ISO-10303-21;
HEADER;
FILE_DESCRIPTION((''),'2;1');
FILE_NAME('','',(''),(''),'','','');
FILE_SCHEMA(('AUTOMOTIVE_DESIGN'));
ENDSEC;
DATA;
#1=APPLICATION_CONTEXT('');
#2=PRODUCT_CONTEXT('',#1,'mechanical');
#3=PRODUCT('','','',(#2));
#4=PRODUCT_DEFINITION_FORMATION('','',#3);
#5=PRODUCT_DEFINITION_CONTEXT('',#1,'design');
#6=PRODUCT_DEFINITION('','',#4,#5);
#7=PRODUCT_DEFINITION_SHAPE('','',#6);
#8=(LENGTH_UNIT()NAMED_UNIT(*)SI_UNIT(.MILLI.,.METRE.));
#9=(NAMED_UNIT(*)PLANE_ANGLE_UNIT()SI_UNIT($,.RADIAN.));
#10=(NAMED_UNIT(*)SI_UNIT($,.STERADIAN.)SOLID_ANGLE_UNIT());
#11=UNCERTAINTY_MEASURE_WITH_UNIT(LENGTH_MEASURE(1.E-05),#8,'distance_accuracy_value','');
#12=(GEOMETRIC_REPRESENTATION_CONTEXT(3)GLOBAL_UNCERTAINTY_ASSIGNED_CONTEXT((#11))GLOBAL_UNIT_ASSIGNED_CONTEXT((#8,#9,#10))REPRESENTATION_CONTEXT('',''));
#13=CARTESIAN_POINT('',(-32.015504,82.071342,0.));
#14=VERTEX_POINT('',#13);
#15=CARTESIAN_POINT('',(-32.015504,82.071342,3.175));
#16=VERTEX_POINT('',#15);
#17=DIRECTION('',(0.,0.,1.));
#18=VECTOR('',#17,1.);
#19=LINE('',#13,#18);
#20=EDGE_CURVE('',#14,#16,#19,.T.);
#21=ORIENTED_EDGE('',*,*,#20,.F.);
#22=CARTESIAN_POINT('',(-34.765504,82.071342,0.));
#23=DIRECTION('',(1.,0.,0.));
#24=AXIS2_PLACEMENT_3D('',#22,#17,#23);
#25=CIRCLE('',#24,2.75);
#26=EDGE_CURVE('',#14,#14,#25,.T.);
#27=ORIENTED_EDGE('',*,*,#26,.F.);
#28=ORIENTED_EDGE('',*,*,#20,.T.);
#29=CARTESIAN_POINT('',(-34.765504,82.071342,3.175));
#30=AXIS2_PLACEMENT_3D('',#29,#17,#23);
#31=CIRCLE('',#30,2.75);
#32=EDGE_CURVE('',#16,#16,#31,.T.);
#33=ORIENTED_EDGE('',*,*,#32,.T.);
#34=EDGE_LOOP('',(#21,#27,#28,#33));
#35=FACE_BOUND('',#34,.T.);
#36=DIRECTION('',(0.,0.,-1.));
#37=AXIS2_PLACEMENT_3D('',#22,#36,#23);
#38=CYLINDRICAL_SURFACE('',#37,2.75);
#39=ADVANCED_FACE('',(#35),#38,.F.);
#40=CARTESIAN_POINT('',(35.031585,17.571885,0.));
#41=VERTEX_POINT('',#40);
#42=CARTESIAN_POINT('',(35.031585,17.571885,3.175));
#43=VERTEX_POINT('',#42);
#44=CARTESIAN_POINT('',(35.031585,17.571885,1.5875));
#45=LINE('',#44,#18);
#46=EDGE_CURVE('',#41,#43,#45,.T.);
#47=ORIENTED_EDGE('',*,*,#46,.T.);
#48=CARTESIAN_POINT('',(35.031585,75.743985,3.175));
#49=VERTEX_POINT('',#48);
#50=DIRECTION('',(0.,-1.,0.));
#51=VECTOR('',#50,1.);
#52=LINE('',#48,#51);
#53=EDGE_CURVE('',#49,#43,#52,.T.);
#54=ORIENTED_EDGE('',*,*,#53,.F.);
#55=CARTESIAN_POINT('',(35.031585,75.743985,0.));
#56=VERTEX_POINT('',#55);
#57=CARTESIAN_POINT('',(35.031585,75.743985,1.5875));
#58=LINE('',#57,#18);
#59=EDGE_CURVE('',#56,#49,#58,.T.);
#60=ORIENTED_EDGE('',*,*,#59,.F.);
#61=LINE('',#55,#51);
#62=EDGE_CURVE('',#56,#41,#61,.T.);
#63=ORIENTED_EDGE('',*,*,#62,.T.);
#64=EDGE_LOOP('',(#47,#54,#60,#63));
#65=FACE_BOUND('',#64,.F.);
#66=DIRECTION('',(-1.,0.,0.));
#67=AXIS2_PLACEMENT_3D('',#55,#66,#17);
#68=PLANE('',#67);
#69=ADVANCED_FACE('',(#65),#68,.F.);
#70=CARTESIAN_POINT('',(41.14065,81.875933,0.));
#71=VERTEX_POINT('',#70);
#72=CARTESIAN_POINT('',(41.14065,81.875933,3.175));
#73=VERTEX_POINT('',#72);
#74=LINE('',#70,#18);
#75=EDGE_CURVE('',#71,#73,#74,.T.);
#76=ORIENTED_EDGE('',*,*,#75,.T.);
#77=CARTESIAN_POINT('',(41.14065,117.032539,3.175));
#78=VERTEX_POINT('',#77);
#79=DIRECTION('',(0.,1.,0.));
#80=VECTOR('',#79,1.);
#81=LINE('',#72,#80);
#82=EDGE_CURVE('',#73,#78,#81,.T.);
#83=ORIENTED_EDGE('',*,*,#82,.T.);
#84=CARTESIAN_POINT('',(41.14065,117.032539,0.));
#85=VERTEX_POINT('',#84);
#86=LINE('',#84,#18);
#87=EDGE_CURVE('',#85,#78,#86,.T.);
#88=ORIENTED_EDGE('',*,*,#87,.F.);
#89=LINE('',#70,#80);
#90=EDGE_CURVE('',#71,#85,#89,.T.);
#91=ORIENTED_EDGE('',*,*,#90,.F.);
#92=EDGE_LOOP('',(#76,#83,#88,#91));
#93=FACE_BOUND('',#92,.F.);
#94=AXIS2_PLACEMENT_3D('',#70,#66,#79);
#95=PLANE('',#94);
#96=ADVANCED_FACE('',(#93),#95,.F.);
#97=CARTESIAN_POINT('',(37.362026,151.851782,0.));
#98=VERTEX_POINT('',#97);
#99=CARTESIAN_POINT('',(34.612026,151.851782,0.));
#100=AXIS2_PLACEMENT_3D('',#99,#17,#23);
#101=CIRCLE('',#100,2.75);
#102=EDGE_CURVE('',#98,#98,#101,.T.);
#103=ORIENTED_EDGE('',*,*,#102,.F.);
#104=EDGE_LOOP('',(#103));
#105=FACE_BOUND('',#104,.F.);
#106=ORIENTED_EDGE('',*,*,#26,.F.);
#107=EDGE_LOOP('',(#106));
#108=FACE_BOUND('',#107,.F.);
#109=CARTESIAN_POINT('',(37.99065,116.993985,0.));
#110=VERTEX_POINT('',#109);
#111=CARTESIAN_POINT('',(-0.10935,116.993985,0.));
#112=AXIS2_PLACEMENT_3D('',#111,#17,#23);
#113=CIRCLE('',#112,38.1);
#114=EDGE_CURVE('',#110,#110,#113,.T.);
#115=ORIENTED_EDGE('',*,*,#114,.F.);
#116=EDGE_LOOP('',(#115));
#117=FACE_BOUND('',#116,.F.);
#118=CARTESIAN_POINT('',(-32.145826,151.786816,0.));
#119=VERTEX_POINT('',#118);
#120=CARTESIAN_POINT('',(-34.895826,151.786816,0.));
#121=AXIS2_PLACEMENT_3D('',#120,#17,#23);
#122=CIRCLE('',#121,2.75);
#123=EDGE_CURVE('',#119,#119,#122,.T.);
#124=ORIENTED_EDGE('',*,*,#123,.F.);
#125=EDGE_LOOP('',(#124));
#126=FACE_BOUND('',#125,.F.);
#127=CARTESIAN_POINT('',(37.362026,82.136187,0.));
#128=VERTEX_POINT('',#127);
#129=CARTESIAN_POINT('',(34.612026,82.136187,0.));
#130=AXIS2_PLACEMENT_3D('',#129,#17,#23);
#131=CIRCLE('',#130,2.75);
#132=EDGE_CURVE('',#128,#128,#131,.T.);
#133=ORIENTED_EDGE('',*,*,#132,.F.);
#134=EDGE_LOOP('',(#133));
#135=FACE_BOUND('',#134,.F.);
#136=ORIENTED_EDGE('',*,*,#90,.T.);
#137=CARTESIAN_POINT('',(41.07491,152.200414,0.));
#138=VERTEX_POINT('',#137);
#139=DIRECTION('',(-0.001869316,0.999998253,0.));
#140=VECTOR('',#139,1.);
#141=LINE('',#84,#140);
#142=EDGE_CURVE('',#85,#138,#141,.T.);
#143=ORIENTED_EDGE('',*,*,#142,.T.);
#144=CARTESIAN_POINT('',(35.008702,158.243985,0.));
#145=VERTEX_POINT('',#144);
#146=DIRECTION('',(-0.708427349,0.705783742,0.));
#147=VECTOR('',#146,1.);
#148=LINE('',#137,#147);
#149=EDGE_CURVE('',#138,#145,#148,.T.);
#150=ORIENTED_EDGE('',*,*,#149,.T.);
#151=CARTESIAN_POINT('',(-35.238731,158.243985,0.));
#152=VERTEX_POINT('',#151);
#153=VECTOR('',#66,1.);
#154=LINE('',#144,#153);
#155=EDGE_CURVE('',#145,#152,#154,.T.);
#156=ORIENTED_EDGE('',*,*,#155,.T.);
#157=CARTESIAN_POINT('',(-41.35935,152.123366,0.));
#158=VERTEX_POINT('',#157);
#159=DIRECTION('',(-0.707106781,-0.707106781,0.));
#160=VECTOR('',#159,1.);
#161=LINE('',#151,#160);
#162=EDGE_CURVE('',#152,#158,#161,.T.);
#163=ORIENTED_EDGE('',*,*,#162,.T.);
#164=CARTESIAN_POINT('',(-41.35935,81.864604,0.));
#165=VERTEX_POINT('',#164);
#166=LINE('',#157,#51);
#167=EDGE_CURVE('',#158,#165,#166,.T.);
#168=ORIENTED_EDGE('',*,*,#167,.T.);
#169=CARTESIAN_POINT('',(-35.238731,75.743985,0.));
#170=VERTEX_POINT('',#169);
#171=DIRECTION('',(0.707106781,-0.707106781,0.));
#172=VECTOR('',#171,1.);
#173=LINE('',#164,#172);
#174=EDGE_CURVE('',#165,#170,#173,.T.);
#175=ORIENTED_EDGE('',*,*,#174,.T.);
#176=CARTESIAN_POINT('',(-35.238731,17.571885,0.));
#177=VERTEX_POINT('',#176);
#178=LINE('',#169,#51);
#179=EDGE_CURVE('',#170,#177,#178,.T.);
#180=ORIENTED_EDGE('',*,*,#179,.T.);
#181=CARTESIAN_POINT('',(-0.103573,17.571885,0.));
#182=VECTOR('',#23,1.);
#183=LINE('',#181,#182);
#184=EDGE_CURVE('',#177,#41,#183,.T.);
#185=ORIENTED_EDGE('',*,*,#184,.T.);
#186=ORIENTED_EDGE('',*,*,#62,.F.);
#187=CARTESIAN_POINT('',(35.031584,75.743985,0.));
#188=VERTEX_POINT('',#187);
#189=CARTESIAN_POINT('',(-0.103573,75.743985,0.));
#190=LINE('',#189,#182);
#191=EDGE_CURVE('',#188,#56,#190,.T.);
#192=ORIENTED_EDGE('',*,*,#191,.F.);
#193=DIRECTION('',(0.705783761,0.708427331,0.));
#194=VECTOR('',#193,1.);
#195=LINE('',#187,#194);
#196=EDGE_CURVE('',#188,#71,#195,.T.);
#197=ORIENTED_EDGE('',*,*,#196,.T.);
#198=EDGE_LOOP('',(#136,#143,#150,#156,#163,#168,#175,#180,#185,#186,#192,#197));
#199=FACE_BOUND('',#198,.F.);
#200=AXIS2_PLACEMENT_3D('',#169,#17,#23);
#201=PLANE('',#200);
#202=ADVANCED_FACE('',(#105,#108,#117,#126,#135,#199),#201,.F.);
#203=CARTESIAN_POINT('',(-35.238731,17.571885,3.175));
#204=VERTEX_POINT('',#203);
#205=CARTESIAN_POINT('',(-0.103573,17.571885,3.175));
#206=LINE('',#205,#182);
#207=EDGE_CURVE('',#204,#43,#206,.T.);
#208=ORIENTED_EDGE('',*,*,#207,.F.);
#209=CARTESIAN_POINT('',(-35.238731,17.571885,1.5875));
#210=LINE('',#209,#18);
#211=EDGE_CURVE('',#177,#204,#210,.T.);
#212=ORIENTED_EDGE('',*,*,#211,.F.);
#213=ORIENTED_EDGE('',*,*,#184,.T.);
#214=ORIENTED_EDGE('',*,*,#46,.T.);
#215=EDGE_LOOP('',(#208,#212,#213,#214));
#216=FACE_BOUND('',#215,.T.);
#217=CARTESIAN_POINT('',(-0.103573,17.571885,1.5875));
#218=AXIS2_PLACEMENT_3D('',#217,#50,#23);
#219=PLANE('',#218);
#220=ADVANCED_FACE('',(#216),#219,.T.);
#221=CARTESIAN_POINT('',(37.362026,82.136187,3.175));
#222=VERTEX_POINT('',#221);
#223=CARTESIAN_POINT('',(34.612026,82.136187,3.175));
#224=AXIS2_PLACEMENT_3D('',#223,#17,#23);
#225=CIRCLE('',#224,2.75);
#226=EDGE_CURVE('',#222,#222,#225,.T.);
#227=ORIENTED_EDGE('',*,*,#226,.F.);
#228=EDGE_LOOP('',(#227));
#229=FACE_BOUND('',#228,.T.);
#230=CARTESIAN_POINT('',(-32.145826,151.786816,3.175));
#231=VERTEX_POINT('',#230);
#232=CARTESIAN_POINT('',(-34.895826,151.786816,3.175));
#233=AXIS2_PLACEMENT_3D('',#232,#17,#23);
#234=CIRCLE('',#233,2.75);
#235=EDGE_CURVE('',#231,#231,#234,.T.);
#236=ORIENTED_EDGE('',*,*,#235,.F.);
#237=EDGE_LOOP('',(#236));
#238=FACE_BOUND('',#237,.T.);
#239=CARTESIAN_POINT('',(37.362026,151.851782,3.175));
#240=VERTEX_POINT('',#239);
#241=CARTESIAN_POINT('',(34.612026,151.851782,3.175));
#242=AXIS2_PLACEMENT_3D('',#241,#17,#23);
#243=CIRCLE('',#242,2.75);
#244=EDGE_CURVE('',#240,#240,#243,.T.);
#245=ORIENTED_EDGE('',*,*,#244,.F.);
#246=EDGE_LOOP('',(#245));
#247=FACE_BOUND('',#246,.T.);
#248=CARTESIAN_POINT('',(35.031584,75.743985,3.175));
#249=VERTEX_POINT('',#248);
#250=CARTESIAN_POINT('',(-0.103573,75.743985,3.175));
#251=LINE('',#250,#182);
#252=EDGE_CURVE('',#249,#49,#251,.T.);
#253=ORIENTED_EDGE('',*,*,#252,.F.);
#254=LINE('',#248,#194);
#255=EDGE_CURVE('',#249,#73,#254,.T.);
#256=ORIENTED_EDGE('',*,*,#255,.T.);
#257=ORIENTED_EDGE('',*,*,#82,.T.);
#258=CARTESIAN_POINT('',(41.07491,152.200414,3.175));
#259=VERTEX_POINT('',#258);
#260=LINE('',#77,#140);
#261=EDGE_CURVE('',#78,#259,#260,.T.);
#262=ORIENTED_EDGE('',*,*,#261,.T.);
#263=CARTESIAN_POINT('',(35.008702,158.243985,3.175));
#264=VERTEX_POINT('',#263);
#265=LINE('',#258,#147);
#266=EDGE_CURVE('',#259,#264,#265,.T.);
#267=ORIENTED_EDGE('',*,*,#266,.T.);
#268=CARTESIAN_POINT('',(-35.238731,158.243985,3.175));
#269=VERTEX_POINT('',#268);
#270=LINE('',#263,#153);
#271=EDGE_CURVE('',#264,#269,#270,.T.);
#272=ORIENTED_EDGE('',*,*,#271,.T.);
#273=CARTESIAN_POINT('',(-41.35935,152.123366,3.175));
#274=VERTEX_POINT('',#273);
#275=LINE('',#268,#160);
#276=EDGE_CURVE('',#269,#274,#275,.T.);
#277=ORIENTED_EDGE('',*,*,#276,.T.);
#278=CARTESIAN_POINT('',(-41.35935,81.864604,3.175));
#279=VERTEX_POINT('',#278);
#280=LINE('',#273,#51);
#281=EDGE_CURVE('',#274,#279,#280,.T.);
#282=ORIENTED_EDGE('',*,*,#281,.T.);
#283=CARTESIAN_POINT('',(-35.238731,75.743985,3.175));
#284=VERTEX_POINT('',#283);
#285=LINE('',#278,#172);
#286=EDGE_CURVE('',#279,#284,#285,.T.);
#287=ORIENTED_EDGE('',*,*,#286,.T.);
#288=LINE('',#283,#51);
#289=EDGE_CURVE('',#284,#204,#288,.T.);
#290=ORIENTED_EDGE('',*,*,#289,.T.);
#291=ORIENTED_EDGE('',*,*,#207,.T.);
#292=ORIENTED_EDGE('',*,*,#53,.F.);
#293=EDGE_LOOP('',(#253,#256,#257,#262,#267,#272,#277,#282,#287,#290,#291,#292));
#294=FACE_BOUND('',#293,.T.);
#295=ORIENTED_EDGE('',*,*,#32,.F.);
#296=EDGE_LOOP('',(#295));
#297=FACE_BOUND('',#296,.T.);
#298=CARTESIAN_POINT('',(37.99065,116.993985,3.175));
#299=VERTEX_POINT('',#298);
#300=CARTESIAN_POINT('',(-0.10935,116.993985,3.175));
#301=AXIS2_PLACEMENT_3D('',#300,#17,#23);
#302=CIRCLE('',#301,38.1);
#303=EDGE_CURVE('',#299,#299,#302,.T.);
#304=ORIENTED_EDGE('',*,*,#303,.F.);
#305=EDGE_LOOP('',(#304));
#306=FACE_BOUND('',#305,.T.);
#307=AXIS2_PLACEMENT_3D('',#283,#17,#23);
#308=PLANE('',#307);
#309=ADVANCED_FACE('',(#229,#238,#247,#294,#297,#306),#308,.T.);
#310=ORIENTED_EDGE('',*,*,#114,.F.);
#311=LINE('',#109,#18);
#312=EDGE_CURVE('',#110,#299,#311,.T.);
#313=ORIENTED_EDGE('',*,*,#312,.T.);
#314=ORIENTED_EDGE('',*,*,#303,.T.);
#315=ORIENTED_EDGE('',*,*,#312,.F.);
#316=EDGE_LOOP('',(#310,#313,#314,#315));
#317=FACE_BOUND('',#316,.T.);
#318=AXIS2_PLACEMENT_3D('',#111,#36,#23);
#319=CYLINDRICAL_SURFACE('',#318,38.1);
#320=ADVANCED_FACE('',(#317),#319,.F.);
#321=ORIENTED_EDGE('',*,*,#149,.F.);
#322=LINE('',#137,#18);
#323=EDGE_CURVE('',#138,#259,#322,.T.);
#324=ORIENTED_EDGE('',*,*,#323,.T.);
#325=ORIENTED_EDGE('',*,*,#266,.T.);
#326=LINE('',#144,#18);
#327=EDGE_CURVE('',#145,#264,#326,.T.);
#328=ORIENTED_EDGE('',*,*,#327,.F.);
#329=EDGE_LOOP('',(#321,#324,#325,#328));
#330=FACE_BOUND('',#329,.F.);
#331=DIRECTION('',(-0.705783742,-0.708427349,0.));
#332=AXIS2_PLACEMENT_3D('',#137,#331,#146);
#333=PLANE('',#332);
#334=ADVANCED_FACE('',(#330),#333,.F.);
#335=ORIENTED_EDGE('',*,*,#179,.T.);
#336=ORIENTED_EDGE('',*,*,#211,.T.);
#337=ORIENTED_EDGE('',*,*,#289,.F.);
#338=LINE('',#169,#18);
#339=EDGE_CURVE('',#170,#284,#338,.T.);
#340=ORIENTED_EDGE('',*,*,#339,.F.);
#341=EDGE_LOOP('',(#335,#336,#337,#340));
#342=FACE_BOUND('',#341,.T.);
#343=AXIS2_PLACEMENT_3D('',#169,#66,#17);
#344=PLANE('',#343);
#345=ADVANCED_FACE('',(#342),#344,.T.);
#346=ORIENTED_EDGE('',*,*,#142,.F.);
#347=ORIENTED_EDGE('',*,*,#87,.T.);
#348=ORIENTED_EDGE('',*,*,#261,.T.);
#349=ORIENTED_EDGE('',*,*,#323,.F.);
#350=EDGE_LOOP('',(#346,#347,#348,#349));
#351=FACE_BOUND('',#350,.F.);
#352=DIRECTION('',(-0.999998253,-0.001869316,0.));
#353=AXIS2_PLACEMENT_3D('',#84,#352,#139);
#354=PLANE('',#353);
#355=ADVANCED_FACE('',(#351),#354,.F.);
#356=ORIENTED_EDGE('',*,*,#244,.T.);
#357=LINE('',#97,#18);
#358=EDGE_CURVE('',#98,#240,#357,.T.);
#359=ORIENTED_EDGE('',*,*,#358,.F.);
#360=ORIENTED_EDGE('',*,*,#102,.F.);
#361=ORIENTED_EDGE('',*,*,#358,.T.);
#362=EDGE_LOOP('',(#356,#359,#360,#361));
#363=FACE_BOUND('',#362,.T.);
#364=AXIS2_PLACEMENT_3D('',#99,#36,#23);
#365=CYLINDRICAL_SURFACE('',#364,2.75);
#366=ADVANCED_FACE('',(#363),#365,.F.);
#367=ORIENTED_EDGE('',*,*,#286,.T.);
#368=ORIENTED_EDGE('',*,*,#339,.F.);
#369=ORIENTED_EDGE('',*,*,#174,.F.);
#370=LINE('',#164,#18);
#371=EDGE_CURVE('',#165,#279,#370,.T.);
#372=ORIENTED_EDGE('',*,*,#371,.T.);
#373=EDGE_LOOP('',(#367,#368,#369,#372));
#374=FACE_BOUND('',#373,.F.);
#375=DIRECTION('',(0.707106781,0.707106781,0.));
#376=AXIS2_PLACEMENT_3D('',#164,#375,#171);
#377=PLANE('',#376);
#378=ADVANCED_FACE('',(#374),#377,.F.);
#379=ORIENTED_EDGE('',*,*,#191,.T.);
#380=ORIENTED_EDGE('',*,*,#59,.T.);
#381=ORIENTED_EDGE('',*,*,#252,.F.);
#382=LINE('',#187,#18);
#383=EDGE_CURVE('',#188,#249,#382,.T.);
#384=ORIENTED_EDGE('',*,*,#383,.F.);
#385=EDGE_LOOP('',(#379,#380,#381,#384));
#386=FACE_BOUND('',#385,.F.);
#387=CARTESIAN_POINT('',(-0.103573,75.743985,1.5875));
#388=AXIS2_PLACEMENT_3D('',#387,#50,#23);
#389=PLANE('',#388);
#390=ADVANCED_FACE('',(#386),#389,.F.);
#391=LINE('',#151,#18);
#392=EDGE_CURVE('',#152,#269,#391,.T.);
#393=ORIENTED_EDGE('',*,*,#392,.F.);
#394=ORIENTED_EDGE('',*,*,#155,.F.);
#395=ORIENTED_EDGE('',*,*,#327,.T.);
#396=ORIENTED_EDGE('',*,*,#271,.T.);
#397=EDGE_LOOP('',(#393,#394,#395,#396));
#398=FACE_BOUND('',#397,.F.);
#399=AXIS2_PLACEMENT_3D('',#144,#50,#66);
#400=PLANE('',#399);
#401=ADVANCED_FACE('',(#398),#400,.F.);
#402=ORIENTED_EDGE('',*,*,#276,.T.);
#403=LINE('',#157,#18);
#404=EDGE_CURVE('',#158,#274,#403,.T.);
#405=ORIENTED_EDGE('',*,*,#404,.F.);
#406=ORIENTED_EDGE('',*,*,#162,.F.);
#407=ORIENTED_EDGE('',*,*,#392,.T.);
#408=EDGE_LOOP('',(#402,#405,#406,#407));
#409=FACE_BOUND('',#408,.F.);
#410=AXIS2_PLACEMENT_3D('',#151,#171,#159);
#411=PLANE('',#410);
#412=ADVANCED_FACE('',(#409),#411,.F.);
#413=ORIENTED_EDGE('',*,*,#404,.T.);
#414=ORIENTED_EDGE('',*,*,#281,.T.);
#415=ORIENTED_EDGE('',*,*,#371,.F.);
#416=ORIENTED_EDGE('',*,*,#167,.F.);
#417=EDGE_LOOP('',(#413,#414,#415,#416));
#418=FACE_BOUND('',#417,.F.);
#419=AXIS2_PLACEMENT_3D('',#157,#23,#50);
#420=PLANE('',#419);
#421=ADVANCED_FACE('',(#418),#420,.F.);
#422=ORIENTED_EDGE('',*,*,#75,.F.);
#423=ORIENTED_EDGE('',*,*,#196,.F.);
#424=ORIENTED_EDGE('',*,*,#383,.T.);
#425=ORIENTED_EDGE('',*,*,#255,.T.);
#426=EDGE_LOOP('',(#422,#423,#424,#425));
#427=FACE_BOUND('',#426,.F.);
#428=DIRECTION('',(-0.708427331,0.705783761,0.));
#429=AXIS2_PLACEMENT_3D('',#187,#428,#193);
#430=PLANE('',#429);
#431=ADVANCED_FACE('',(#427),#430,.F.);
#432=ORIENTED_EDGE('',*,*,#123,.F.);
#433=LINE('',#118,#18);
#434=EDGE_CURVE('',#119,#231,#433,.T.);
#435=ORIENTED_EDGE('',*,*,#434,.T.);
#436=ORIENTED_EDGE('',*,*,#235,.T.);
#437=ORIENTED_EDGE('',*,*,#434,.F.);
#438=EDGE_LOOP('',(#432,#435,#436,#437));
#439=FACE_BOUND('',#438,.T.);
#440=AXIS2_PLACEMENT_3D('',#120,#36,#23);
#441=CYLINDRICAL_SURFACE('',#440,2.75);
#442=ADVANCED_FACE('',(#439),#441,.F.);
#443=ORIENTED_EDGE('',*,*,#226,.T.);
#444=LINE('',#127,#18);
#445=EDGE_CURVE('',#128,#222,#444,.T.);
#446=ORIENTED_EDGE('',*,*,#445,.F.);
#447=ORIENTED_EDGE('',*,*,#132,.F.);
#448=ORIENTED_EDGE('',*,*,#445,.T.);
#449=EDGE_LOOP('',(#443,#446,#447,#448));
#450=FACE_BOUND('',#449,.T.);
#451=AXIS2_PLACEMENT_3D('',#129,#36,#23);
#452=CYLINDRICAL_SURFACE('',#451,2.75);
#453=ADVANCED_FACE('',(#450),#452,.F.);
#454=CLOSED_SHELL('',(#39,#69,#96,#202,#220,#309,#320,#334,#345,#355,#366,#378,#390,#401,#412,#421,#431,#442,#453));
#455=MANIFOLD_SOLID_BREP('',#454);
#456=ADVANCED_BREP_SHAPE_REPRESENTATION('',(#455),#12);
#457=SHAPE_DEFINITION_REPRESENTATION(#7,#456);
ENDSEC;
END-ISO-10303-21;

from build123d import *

# Parameters (mm, degrees)
F0_R      = 2.75
F0_R_2    = 38.1
F1_DEPTH  = 3.175
F1_FACE_W = 70.270316
F1_FACE_H = 3.175
F2_DEPTH  = 58.1721


with BuildPart() as f1:
    # F0 (on Top) → F1 (new body)
    with BuildSketch(Plane.XY):
        Polygon((-35.238731, 158.243985), (-41.35935, 152.123366), (-41.35935, 81.864604), (-35.238731, 75.743985), (35.031584, 75.743985), (41.14065, 81.875933), (41.14065, 117.032539), (41.07491, 152.200414), (35.008702, 158.243985), align=None)
        with Locations((-34.765504, 82.071342)):
            Circle(F0_R, mode=Mode.SUBTRACT)
        with Locations((34.612026, 82.136187)):
            Circle(F0_R, mode=Mode.SUBTRACT)
        with Locations((-0.10935, 116.993985)):
            Circle(F0_R_2, mode=Mode.SUBTRACT)
        with Locations((-34.895826, 151.786816)):
            Circle(F0_R, mode=Mode.SUBTRACT)
        with Locations((34.612026, 151.851782)):
            Circle(F0_R, mode=Mode.SUBTRACT)
    extrude(amount=F1_DEPTH)

    # F1_face (on face) → F2 (join)
    with BuildSketch(Plane(origin=(-0.103573, 75.743985, 1.5875), x_dir=(1, 0, 0), z_dir=(0, -1, 0))):
        Rectangle(F1_FACE_W, F1_FACE_H)
    extrude(amount=F2_DEPTH)


solid = f1.part
